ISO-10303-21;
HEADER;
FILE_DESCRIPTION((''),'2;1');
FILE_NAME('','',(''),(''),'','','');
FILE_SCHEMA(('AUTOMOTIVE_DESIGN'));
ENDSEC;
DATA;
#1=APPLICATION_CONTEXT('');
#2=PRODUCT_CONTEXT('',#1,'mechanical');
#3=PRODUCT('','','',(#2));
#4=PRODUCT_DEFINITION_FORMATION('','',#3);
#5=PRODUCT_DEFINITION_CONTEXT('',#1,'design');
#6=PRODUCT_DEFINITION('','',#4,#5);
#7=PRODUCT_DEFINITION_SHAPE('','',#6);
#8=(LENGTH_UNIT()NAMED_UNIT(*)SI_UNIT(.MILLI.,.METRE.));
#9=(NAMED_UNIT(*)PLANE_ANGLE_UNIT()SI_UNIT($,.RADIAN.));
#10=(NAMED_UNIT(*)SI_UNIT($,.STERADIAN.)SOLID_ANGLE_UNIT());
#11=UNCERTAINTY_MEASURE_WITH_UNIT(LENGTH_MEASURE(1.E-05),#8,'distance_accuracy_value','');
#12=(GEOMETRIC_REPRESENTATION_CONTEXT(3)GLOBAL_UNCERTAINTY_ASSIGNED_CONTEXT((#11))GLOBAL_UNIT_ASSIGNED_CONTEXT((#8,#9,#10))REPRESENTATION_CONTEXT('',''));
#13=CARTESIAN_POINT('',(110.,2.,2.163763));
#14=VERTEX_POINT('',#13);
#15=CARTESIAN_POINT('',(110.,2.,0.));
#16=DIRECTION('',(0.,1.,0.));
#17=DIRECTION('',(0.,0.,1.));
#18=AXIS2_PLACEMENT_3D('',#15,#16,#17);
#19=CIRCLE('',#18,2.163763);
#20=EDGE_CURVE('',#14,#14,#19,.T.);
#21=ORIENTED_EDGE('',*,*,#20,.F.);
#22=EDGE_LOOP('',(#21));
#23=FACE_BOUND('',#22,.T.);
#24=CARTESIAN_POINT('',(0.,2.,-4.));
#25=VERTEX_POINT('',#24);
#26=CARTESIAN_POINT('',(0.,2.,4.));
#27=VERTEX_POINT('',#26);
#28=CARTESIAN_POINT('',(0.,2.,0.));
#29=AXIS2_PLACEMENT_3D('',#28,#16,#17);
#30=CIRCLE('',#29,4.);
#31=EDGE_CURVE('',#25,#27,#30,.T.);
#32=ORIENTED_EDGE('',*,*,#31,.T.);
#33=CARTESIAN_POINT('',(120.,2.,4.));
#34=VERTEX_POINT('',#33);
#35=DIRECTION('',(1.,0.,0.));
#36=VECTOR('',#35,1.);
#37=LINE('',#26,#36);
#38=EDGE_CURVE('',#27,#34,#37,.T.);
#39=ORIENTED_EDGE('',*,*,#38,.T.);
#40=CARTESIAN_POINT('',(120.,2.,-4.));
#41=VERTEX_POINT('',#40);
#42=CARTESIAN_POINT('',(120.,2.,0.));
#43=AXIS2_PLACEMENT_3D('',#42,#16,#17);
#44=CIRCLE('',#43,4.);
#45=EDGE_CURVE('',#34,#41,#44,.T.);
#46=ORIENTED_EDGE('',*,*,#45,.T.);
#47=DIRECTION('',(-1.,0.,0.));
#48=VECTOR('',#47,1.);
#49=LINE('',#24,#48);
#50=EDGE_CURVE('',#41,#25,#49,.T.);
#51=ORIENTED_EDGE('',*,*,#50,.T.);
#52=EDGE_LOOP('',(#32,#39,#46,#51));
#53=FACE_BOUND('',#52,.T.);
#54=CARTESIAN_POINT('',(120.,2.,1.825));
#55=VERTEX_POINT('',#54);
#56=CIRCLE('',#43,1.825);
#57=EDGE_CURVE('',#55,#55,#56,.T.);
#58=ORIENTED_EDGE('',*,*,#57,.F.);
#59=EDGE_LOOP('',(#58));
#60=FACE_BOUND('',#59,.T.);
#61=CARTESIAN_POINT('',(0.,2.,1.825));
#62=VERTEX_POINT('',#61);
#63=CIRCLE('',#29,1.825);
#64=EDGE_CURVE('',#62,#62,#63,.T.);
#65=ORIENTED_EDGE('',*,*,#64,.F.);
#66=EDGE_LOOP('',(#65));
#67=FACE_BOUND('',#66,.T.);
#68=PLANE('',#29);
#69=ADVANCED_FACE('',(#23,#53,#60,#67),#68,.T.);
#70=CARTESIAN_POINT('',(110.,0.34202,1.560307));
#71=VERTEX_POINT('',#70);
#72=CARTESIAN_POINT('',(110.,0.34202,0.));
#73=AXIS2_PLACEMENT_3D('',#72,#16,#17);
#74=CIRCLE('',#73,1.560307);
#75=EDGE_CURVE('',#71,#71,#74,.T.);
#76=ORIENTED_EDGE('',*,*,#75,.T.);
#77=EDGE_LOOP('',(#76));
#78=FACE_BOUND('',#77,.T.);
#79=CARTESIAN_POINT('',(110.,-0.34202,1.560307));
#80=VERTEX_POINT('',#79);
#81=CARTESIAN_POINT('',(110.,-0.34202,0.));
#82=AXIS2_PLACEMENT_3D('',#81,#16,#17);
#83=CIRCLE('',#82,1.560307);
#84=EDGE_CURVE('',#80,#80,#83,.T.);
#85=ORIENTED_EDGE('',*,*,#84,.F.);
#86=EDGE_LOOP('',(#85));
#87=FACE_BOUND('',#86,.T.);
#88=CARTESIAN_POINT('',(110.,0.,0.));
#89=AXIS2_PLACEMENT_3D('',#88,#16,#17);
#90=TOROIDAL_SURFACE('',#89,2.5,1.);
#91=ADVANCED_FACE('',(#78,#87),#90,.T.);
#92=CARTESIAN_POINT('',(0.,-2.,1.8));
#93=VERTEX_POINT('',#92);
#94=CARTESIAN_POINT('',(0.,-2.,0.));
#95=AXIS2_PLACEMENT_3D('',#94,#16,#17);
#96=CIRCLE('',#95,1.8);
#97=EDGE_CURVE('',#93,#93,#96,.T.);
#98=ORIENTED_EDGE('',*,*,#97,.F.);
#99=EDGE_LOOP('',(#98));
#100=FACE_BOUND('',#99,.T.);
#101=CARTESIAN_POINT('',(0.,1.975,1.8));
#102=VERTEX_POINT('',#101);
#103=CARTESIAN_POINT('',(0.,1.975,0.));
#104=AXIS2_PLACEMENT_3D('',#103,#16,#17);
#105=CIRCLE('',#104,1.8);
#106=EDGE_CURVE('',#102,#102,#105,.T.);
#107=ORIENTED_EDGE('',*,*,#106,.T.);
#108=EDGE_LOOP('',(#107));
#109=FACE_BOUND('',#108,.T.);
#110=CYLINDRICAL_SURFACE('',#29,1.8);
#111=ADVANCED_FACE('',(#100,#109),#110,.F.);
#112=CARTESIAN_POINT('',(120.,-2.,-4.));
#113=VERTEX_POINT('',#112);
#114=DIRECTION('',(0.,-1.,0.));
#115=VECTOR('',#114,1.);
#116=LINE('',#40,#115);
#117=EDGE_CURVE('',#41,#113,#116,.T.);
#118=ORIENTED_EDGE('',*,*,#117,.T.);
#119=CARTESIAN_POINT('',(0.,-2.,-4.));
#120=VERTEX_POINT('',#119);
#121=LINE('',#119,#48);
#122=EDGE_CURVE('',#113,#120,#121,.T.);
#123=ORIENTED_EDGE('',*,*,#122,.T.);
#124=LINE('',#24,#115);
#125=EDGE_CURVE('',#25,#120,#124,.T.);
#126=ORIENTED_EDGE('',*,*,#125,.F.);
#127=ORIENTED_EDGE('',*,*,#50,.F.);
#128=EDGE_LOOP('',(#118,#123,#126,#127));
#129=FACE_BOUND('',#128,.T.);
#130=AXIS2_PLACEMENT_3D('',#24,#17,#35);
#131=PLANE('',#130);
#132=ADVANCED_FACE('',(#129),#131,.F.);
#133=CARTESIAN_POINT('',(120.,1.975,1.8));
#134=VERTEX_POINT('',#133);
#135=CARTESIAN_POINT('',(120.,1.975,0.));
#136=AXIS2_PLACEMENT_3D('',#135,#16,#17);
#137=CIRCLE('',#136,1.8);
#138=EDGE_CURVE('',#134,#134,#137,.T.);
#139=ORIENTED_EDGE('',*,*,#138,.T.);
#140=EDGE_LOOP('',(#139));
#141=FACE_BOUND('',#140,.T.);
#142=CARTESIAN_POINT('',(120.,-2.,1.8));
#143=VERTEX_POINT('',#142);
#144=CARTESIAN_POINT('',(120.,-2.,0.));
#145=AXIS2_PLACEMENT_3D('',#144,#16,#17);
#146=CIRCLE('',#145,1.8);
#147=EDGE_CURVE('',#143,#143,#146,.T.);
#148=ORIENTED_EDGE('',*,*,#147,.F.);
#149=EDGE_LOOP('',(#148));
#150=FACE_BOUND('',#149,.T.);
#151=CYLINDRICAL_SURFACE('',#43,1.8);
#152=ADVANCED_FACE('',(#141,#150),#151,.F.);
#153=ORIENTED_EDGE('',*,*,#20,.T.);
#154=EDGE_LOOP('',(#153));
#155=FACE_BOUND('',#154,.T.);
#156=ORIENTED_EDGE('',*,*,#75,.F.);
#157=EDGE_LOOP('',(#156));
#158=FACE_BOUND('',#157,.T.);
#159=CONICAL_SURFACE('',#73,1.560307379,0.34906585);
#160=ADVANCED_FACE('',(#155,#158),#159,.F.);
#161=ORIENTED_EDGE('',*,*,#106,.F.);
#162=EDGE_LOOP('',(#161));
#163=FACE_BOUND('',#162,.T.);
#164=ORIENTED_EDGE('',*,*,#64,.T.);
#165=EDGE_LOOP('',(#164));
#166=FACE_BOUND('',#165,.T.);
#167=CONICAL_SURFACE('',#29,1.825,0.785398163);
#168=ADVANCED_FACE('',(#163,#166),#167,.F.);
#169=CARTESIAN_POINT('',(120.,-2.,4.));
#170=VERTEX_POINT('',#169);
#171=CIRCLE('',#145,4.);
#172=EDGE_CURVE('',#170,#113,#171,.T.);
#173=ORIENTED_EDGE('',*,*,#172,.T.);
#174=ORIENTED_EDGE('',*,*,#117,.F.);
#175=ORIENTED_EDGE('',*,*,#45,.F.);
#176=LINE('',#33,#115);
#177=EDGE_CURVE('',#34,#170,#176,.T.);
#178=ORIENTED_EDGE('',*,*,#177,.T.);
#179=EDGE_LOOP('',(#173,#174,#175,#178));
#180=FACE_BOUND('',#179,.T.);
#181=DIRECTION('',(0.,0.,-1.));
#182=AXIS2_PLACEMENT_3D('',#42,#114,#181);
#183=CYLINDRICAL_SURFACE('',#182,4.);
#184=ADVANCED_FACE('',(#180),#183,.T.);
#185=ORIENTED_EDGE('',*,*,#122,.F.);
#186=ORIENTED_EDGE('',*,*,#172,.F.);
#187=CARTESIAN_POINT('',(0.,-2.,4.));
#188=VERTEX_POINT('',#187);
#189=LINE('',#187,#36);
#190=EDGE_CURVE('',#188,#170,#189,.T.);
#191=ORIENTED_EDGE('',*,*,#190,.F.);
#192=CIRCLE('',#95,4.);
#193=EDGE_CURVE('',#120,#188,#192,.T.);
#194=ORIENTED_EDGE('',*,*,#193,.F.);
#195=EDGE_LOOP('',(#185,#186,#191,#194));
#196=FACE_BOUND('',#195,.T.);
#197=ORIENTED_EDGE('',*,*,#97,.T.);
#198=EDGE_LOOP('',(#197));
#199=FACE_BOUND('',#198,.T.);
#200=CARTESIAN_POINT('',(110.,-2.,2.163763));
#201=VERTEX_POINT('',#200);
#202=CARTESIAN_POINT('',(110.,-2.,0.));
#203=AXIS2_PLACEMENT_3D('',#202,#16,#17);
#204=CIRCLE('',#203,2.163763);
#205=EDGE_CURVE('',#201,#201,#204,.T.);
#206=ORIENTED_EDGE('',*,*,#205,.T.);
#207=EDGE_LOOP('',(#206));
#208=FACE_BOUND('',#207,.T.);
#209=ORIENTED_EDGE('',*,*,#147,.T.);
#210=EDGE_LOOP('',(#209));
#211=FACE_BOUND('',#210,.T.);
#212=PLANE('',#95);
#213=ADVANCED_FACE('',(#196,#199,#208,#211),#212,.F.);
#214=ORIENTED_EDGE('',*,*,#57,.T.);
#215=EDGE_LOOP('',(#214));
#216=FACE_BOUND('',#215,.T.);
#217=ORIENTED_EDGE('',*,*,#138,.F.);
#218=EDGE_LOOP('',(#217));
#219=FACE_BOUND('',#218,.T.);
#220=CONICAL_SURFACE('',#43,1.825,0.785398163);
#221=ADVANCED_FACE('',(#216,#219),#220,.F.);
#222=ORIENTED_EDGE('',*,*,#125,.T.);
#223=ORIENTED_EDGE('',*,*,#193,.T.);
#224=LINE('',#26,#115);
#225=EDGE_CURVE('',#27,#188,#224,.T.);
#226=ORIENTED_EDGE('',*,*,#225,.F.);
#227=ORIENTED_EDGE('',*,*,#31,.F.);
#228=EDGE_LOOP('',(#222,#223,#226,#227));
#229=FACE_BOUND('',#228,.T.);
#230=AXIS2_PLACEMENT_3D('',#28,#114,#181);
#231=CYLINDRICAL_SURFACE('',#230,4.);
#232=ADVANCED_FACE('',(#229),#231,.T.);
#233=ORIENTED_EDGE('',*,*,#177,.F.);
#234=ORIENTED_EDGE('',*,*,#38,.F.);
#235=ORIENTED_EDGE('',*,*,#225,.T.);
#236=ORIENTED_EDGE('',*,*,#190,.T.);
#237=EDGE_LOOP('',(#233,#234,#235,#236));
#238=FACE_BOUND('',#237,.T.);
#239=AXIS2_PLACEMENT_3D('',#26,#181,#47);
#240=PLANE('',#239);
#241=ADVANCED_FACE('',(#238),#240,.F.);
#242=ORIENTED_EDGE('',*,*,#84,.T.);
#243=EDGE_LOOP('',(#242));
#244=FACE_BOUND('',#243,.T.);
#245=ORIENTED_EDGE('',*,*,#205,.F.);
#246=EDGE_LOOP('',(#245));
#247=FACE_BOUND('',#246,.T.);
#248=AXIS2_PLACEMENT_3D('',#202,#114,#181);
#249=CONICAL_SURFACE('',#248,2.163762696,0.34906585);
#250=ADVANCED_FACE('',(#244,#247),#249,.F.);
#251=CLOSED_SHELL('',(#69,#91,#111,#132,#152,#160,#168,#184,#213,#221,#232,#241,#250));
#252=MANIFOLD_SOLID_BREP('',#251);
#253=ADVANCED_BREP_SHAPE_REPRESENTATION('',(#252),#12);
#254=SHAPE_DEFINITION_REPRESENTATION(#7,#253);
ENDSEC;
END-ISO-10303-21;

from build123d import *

# Parameters (mm, degrees)
SKETCH1_R                      = 1
BOSS_EXTRUDE1_DEPTH            = 2
M3_CLEARANCE_HOLE1_D           = 3.6
M3_CLEARANCE_HOLE1_CSINK_D     = 3.65
M3_CLEARANCE_HOLE1_CSINK_ANGLE = 90


with BuildPart() as part:
    # Sketch1 → Boss-Extrude1 (new, symmetric)
    with BuildSketch(Plane(origin=(0, 0, 0), x_dir=(1, 0, 0), z_dir=(0, 1, 0))):
        with BuildLine():
            Line((0, 4), (120, 4))
            ThreePointArc((120, 4), (124, 0), (120, -4))
            Line((120, -4), (0, -4))
            ThreePointArc((0, -4), (-4, 0), (0, 4))
        make_face()
        Circle(SKETCH1_R, mode=Mode.SUBTRACT)
        with Locations((120, 0)):
            Circle(SKETCH1_R, mode=Mode.SUBTRACT)
        with Locations((110, 0)):
            Circle(SKETCH1_R, mode=Mode.SUBTRACT)
    extrude(amount=BOSS_EXTRUDE1_DEPTH, both=True)

    # Sketch3 → Cut-Revolve1 (revolve, cut)
    with BuildSketch(Plane.XY):
        with BuildLine():
            Line((110, 2), (112.163762696, 2))
            Line((112.163762696, 2), (111.560307379, 0.342020143))
            ThreePointArc((111.560307379, 0.342020143), (111.5, 0), (111.560307379, -0.342020143))
            Line((111.560307379, -0.342020143), (112.163762696, -2))
            Line((112.163762696, -2), (110, -2))
            Line((110, -2), (110, 2))
        make_face()
    revolve(axis=Axis((110, 2, 0), (0, -1, 0)), mode=Mode.SUBTRACT)

    # M3 Clearance Hole1 (through all)
    with Locations(Plane(origin=(0, 2, 0), x_dir=(1, 0, 0), z_dir=(0, 1, 0))):
        with Locations((0, 0), (120, 0)):
            CounterSinkHole(M3_CLEARANCE_HOLE1_D / 2, M3_CLEARANCE_HOLE1_CSINK_D / 2, counter_sink_angle=M3_CLEARANCE_HOLE1_CSINK_ANGLE)


solid = part.part
